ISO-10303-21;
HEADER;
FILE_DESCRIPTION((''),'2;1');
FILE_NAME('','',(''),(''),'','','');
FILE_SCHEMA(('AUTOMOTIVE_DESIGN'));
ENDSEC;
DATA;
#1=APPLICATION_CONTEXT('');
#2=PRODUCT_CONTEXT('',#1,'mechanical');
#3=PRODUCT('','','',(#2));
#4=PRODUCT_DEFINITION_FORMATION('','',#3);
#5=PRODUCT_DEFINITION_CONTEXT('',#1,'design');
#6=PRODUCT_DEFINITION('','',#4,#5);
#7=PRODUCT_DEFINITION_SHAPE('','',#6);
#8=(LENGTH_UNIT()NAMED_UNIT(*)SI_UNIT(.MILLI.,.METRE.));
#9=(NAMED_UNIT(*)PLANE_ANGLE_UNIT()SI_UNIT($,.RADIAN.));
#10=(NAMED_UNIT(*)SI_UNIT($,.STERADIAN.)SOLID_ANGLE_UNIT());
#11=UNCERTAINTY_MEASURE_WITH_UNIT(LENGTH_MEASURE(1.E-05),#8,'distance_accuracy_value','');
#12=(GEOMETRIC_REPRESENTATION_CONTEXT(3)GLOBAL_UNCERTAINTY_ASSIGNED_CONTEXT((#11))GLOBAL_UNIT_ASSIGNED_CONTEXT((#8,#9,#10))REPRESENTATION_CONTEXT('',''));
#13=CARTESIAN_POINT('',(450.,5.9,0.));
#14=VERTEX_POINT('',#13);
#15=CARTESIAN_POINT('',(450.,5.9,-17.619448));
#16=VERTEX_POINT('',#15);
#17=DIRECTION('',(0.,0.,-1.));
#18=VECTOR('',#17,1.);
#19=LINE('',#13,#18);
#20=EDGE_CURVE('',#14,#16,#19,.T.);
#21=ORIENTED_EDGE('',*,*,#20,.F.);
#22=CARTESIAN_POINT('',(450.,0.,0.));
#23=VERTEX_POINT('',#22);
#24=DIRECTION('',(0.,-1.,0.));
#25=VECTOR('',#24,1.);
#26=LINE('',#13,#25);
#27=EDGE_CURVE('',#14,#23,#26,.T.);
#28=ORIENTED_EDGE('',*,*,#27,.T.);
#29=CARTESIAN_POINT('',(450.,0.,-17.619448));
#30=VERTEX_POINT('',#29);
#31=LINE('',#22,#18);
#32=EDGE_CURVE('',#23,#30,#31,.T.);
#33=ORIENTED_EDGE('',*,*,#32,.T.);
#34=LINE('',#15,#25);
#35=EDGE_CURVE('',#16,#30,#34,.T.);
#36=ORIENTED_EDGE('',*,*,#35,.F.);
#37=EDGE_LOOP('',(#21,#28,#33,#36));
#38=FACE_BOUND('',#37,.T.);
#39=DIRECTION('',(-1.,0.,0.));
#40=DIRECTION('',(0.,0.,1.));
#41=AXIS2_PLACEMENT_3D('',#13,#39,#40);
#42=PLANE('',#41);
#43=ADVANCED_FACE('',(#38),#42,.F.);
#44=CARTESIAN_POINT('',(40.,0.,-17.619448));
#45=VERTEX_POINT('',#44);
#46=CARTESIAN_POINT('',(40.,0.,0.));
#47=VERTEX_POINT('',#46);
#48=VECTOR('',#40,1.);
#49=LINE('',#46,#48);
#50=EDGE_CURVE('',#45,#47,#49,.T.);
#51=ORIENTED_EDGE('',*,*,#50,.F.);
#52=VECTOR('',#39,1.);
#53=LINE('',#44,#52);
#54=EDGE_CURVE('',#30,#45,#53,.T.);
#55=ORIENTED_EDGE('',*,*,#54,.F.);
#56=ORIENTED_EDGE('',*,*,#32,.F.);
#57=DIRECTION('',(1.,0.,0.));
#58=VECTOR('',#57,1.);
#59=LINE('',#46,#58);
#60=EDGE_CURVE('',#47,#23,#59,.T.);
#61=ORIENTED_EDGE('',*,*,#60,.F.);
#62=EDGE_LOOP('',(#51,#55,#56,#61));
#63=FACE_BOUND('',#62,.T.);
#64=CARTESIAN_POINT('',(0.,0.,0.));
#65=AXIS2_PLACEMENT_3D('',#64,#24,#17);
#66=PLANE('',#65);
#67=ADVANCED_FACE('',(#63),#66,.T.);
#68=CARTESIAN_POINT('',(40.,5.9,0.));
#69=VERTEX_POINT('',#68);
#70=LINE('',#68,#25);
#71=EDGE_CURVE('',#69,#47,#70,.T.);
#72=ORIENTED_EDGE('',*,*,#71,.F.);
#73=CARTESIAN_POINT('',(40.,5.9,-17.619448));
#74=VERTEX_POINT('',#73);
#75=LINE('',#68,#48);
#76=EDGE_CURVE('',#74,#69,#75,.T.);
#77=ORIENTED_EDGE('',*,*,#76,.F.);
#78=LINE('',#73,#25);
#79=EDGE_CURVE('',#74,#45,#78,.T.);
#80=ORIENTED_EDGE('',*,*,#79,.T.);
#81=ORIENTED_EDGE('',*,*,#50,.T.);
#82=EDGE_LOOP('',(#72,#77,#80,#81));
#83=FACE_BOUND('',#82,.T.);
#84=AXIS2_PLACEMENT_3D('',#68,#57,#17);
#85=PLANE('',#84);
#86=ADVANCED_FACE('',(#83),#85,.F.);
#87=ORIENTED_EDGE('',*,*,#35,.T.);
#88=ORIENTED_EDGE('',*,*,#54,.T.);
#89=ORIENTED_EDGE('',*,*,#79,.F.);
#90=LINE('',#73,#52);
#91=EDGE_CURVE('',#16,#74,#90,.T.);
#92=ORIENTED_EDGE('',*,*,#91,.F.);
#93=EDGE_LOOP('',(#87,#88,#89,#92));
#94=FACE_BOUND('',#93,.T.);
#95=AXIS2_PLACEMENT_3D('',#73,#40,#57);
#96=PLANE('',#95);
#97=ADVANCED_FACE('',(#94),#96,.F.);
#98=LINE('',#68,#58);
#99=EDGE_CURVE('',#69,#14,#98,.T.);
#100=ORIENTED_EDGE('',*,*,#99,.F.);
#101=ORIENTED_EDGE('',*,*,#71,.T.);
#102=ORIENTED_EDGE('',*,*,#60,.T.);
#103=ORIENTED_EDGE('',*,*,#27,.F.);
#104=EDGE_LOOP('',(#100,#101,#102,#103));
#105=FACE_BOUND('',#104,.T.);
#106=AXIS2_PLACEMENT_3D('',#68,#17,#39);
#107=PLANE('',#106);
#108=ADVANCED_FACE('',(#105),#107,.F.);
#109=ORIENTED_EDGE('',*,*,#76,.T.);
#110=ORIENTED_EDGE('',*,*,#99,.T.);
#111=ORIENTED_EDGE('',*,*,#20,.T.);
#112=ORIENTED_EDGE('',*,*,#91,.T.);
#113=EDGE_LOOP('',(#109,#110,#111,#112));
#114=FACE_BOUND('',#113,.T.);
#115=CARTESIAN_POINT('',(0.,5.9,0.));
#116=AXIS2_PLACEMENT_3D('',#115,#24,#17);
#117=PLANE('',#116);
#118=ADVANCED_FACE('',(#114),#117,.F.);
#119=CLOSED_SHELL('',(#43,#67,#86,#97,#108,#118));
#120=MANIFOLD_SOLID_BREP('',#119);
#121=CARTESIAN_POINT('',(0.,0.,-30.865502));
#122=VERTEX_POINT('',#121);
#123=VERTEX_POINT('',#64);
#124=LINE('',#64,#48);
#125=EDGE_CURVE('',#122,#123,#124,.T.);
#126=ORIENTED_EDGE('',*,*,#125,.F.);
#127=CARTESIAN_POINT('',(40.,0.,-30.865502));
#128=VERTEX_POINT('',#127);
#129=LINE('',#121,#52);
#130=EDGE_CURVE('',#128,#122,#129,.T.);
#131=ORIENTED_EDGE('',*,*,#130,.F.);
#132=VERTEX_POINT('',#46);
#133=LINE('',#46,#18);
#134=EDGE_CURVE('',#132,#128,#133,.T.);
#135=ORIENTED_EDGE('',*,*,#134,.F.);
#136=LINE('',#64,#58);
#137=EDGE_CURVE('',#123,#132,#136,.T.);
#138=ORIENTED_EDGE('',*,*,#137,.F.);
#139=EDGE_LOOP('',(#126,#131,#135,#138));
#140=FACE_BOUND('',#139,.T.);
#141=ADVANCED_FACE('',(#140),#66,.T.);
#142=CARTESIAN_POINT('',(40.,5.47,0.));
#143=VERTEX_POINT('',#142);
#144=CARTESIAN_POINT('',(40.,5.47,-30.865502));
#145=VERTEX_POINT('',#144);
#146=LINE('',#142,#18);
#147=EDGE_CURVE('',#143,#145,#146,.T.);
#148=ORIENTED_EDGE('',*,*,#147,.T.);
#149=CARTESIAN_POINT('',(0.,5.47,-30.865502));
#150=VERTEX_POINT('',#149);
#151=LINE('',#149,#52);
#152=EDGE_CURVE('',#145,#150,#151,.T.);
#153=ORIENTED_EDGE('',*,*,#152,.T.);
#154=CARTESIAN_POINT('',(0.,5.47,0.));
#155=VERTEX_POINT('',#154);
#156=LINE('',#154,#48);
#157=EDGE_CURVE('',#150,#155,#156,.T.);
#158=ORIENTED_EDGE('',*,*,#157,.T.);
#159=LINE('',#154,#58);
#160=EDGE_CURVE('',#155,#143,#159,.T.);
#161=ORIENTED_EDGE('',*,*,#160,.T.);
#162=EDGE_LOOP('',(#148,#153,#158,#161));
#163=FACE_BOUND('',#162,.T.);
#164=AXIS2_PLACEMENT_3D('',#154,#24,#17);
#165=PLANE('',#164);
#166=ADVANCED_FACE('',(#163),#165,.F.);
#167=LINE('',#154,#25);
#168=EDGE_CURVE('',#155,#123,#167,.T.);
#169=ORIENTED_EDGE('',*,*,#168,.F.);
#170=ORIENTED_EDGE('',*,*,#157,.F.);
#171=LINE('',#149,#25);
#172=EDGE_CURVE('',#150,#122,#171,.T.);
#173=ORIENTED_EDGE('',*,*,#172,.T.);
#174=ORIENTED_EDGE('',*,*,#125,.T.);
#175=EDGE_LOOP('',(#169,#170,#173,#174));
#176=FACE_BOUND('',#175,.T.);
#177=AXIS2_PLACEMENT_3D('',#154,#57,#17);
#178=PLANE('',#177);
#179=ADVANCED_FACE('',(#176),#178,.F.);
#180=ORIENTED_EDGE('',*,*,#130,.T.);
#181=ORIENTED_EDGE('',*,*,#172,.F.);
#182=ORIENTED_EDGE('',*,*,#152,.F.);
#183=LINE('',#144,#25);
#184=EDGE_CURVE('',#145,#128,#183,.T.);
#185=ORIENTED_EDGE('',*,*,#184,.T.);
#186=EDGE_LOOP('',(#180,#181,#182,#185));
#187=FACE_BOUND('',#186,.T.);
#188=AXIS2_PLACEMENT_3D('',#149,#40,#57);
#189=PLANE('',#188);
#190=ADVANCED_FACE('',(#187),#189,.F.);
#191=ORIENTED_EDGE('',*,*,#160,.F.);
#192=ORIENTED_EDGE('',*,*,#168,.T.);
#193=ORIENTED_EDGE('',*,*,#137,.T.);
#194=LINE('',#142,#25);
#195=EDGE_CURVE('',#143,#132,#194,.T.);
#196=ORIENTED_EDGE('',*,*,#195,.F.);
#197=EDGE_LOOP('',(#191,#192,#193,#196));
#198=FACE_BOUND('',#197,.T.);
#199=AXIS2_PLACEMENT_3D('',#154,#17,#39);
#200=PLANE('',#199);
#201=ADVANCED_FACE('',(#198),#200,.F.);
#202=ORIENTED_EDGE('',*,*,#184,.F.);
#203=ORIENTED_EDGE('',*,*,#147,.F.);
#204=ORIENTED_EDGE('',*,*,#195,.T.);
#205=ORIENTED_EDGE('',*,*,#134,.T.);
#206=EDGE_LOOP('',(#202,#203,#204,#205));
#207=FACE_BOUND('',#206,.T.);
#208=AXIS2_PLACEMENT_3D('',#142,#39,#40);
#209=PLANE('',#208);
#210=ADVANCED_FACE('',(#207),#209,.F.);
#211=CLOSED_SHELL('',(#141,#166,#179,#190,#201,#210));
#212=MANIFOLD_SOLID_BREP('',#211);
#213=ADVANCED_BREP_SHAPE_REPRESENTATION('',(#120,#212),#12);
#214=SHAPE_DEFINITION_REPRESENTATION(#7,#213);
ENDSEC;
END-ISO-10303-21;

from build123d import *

# Parameters (mm, degrees)
SKIZZE1_W                       = 40
SKIZZE1_H                       = 30.865501512
AUFSATZ_LINEAR_AUSTRAGEN1_DEPTH = 5.47
SKIZZE2_W                       = 410
SKIZZE2_H                       = 17.619447607
AUFSATZ_LINEAR_AUSTRAGEN2_DEPTH = 5.9


with BuildPart() as part:
    # Skizze1 → Aufsatz-Linear austragen1 (new body)
    with BuildSketch(Plane(origin=(0, 0, 0), x_dir=(1, 0, 0), z_dir=(0, 1, 0))):
        with Locations((20, 15.432750756)):
            Rectangle(SKIZZE1_W, SKIZZE1_H)
    extrude(amount=AUFSATZ_LINEAR_AUSTRAGEN1_DEPTH)


with BuildPart() as body_2:
    # Skizze2 → Aufsatz-Linear austragen2 (new body)
    with BuildSketch(Plane(origin=(0, 0, 0), x_dir=(1, 0, 0), z_dir=(0, 1, 0))):
        with Locations((245, 8.809723804)):
            Rectangle(SKIZZE2_W, SKIZZE2_H)
    extrude(amount=AUFSATZ_LINEAR_AUSTRAGEN2_DEPTH)


solid = Compound([part.part, body_2.part])
